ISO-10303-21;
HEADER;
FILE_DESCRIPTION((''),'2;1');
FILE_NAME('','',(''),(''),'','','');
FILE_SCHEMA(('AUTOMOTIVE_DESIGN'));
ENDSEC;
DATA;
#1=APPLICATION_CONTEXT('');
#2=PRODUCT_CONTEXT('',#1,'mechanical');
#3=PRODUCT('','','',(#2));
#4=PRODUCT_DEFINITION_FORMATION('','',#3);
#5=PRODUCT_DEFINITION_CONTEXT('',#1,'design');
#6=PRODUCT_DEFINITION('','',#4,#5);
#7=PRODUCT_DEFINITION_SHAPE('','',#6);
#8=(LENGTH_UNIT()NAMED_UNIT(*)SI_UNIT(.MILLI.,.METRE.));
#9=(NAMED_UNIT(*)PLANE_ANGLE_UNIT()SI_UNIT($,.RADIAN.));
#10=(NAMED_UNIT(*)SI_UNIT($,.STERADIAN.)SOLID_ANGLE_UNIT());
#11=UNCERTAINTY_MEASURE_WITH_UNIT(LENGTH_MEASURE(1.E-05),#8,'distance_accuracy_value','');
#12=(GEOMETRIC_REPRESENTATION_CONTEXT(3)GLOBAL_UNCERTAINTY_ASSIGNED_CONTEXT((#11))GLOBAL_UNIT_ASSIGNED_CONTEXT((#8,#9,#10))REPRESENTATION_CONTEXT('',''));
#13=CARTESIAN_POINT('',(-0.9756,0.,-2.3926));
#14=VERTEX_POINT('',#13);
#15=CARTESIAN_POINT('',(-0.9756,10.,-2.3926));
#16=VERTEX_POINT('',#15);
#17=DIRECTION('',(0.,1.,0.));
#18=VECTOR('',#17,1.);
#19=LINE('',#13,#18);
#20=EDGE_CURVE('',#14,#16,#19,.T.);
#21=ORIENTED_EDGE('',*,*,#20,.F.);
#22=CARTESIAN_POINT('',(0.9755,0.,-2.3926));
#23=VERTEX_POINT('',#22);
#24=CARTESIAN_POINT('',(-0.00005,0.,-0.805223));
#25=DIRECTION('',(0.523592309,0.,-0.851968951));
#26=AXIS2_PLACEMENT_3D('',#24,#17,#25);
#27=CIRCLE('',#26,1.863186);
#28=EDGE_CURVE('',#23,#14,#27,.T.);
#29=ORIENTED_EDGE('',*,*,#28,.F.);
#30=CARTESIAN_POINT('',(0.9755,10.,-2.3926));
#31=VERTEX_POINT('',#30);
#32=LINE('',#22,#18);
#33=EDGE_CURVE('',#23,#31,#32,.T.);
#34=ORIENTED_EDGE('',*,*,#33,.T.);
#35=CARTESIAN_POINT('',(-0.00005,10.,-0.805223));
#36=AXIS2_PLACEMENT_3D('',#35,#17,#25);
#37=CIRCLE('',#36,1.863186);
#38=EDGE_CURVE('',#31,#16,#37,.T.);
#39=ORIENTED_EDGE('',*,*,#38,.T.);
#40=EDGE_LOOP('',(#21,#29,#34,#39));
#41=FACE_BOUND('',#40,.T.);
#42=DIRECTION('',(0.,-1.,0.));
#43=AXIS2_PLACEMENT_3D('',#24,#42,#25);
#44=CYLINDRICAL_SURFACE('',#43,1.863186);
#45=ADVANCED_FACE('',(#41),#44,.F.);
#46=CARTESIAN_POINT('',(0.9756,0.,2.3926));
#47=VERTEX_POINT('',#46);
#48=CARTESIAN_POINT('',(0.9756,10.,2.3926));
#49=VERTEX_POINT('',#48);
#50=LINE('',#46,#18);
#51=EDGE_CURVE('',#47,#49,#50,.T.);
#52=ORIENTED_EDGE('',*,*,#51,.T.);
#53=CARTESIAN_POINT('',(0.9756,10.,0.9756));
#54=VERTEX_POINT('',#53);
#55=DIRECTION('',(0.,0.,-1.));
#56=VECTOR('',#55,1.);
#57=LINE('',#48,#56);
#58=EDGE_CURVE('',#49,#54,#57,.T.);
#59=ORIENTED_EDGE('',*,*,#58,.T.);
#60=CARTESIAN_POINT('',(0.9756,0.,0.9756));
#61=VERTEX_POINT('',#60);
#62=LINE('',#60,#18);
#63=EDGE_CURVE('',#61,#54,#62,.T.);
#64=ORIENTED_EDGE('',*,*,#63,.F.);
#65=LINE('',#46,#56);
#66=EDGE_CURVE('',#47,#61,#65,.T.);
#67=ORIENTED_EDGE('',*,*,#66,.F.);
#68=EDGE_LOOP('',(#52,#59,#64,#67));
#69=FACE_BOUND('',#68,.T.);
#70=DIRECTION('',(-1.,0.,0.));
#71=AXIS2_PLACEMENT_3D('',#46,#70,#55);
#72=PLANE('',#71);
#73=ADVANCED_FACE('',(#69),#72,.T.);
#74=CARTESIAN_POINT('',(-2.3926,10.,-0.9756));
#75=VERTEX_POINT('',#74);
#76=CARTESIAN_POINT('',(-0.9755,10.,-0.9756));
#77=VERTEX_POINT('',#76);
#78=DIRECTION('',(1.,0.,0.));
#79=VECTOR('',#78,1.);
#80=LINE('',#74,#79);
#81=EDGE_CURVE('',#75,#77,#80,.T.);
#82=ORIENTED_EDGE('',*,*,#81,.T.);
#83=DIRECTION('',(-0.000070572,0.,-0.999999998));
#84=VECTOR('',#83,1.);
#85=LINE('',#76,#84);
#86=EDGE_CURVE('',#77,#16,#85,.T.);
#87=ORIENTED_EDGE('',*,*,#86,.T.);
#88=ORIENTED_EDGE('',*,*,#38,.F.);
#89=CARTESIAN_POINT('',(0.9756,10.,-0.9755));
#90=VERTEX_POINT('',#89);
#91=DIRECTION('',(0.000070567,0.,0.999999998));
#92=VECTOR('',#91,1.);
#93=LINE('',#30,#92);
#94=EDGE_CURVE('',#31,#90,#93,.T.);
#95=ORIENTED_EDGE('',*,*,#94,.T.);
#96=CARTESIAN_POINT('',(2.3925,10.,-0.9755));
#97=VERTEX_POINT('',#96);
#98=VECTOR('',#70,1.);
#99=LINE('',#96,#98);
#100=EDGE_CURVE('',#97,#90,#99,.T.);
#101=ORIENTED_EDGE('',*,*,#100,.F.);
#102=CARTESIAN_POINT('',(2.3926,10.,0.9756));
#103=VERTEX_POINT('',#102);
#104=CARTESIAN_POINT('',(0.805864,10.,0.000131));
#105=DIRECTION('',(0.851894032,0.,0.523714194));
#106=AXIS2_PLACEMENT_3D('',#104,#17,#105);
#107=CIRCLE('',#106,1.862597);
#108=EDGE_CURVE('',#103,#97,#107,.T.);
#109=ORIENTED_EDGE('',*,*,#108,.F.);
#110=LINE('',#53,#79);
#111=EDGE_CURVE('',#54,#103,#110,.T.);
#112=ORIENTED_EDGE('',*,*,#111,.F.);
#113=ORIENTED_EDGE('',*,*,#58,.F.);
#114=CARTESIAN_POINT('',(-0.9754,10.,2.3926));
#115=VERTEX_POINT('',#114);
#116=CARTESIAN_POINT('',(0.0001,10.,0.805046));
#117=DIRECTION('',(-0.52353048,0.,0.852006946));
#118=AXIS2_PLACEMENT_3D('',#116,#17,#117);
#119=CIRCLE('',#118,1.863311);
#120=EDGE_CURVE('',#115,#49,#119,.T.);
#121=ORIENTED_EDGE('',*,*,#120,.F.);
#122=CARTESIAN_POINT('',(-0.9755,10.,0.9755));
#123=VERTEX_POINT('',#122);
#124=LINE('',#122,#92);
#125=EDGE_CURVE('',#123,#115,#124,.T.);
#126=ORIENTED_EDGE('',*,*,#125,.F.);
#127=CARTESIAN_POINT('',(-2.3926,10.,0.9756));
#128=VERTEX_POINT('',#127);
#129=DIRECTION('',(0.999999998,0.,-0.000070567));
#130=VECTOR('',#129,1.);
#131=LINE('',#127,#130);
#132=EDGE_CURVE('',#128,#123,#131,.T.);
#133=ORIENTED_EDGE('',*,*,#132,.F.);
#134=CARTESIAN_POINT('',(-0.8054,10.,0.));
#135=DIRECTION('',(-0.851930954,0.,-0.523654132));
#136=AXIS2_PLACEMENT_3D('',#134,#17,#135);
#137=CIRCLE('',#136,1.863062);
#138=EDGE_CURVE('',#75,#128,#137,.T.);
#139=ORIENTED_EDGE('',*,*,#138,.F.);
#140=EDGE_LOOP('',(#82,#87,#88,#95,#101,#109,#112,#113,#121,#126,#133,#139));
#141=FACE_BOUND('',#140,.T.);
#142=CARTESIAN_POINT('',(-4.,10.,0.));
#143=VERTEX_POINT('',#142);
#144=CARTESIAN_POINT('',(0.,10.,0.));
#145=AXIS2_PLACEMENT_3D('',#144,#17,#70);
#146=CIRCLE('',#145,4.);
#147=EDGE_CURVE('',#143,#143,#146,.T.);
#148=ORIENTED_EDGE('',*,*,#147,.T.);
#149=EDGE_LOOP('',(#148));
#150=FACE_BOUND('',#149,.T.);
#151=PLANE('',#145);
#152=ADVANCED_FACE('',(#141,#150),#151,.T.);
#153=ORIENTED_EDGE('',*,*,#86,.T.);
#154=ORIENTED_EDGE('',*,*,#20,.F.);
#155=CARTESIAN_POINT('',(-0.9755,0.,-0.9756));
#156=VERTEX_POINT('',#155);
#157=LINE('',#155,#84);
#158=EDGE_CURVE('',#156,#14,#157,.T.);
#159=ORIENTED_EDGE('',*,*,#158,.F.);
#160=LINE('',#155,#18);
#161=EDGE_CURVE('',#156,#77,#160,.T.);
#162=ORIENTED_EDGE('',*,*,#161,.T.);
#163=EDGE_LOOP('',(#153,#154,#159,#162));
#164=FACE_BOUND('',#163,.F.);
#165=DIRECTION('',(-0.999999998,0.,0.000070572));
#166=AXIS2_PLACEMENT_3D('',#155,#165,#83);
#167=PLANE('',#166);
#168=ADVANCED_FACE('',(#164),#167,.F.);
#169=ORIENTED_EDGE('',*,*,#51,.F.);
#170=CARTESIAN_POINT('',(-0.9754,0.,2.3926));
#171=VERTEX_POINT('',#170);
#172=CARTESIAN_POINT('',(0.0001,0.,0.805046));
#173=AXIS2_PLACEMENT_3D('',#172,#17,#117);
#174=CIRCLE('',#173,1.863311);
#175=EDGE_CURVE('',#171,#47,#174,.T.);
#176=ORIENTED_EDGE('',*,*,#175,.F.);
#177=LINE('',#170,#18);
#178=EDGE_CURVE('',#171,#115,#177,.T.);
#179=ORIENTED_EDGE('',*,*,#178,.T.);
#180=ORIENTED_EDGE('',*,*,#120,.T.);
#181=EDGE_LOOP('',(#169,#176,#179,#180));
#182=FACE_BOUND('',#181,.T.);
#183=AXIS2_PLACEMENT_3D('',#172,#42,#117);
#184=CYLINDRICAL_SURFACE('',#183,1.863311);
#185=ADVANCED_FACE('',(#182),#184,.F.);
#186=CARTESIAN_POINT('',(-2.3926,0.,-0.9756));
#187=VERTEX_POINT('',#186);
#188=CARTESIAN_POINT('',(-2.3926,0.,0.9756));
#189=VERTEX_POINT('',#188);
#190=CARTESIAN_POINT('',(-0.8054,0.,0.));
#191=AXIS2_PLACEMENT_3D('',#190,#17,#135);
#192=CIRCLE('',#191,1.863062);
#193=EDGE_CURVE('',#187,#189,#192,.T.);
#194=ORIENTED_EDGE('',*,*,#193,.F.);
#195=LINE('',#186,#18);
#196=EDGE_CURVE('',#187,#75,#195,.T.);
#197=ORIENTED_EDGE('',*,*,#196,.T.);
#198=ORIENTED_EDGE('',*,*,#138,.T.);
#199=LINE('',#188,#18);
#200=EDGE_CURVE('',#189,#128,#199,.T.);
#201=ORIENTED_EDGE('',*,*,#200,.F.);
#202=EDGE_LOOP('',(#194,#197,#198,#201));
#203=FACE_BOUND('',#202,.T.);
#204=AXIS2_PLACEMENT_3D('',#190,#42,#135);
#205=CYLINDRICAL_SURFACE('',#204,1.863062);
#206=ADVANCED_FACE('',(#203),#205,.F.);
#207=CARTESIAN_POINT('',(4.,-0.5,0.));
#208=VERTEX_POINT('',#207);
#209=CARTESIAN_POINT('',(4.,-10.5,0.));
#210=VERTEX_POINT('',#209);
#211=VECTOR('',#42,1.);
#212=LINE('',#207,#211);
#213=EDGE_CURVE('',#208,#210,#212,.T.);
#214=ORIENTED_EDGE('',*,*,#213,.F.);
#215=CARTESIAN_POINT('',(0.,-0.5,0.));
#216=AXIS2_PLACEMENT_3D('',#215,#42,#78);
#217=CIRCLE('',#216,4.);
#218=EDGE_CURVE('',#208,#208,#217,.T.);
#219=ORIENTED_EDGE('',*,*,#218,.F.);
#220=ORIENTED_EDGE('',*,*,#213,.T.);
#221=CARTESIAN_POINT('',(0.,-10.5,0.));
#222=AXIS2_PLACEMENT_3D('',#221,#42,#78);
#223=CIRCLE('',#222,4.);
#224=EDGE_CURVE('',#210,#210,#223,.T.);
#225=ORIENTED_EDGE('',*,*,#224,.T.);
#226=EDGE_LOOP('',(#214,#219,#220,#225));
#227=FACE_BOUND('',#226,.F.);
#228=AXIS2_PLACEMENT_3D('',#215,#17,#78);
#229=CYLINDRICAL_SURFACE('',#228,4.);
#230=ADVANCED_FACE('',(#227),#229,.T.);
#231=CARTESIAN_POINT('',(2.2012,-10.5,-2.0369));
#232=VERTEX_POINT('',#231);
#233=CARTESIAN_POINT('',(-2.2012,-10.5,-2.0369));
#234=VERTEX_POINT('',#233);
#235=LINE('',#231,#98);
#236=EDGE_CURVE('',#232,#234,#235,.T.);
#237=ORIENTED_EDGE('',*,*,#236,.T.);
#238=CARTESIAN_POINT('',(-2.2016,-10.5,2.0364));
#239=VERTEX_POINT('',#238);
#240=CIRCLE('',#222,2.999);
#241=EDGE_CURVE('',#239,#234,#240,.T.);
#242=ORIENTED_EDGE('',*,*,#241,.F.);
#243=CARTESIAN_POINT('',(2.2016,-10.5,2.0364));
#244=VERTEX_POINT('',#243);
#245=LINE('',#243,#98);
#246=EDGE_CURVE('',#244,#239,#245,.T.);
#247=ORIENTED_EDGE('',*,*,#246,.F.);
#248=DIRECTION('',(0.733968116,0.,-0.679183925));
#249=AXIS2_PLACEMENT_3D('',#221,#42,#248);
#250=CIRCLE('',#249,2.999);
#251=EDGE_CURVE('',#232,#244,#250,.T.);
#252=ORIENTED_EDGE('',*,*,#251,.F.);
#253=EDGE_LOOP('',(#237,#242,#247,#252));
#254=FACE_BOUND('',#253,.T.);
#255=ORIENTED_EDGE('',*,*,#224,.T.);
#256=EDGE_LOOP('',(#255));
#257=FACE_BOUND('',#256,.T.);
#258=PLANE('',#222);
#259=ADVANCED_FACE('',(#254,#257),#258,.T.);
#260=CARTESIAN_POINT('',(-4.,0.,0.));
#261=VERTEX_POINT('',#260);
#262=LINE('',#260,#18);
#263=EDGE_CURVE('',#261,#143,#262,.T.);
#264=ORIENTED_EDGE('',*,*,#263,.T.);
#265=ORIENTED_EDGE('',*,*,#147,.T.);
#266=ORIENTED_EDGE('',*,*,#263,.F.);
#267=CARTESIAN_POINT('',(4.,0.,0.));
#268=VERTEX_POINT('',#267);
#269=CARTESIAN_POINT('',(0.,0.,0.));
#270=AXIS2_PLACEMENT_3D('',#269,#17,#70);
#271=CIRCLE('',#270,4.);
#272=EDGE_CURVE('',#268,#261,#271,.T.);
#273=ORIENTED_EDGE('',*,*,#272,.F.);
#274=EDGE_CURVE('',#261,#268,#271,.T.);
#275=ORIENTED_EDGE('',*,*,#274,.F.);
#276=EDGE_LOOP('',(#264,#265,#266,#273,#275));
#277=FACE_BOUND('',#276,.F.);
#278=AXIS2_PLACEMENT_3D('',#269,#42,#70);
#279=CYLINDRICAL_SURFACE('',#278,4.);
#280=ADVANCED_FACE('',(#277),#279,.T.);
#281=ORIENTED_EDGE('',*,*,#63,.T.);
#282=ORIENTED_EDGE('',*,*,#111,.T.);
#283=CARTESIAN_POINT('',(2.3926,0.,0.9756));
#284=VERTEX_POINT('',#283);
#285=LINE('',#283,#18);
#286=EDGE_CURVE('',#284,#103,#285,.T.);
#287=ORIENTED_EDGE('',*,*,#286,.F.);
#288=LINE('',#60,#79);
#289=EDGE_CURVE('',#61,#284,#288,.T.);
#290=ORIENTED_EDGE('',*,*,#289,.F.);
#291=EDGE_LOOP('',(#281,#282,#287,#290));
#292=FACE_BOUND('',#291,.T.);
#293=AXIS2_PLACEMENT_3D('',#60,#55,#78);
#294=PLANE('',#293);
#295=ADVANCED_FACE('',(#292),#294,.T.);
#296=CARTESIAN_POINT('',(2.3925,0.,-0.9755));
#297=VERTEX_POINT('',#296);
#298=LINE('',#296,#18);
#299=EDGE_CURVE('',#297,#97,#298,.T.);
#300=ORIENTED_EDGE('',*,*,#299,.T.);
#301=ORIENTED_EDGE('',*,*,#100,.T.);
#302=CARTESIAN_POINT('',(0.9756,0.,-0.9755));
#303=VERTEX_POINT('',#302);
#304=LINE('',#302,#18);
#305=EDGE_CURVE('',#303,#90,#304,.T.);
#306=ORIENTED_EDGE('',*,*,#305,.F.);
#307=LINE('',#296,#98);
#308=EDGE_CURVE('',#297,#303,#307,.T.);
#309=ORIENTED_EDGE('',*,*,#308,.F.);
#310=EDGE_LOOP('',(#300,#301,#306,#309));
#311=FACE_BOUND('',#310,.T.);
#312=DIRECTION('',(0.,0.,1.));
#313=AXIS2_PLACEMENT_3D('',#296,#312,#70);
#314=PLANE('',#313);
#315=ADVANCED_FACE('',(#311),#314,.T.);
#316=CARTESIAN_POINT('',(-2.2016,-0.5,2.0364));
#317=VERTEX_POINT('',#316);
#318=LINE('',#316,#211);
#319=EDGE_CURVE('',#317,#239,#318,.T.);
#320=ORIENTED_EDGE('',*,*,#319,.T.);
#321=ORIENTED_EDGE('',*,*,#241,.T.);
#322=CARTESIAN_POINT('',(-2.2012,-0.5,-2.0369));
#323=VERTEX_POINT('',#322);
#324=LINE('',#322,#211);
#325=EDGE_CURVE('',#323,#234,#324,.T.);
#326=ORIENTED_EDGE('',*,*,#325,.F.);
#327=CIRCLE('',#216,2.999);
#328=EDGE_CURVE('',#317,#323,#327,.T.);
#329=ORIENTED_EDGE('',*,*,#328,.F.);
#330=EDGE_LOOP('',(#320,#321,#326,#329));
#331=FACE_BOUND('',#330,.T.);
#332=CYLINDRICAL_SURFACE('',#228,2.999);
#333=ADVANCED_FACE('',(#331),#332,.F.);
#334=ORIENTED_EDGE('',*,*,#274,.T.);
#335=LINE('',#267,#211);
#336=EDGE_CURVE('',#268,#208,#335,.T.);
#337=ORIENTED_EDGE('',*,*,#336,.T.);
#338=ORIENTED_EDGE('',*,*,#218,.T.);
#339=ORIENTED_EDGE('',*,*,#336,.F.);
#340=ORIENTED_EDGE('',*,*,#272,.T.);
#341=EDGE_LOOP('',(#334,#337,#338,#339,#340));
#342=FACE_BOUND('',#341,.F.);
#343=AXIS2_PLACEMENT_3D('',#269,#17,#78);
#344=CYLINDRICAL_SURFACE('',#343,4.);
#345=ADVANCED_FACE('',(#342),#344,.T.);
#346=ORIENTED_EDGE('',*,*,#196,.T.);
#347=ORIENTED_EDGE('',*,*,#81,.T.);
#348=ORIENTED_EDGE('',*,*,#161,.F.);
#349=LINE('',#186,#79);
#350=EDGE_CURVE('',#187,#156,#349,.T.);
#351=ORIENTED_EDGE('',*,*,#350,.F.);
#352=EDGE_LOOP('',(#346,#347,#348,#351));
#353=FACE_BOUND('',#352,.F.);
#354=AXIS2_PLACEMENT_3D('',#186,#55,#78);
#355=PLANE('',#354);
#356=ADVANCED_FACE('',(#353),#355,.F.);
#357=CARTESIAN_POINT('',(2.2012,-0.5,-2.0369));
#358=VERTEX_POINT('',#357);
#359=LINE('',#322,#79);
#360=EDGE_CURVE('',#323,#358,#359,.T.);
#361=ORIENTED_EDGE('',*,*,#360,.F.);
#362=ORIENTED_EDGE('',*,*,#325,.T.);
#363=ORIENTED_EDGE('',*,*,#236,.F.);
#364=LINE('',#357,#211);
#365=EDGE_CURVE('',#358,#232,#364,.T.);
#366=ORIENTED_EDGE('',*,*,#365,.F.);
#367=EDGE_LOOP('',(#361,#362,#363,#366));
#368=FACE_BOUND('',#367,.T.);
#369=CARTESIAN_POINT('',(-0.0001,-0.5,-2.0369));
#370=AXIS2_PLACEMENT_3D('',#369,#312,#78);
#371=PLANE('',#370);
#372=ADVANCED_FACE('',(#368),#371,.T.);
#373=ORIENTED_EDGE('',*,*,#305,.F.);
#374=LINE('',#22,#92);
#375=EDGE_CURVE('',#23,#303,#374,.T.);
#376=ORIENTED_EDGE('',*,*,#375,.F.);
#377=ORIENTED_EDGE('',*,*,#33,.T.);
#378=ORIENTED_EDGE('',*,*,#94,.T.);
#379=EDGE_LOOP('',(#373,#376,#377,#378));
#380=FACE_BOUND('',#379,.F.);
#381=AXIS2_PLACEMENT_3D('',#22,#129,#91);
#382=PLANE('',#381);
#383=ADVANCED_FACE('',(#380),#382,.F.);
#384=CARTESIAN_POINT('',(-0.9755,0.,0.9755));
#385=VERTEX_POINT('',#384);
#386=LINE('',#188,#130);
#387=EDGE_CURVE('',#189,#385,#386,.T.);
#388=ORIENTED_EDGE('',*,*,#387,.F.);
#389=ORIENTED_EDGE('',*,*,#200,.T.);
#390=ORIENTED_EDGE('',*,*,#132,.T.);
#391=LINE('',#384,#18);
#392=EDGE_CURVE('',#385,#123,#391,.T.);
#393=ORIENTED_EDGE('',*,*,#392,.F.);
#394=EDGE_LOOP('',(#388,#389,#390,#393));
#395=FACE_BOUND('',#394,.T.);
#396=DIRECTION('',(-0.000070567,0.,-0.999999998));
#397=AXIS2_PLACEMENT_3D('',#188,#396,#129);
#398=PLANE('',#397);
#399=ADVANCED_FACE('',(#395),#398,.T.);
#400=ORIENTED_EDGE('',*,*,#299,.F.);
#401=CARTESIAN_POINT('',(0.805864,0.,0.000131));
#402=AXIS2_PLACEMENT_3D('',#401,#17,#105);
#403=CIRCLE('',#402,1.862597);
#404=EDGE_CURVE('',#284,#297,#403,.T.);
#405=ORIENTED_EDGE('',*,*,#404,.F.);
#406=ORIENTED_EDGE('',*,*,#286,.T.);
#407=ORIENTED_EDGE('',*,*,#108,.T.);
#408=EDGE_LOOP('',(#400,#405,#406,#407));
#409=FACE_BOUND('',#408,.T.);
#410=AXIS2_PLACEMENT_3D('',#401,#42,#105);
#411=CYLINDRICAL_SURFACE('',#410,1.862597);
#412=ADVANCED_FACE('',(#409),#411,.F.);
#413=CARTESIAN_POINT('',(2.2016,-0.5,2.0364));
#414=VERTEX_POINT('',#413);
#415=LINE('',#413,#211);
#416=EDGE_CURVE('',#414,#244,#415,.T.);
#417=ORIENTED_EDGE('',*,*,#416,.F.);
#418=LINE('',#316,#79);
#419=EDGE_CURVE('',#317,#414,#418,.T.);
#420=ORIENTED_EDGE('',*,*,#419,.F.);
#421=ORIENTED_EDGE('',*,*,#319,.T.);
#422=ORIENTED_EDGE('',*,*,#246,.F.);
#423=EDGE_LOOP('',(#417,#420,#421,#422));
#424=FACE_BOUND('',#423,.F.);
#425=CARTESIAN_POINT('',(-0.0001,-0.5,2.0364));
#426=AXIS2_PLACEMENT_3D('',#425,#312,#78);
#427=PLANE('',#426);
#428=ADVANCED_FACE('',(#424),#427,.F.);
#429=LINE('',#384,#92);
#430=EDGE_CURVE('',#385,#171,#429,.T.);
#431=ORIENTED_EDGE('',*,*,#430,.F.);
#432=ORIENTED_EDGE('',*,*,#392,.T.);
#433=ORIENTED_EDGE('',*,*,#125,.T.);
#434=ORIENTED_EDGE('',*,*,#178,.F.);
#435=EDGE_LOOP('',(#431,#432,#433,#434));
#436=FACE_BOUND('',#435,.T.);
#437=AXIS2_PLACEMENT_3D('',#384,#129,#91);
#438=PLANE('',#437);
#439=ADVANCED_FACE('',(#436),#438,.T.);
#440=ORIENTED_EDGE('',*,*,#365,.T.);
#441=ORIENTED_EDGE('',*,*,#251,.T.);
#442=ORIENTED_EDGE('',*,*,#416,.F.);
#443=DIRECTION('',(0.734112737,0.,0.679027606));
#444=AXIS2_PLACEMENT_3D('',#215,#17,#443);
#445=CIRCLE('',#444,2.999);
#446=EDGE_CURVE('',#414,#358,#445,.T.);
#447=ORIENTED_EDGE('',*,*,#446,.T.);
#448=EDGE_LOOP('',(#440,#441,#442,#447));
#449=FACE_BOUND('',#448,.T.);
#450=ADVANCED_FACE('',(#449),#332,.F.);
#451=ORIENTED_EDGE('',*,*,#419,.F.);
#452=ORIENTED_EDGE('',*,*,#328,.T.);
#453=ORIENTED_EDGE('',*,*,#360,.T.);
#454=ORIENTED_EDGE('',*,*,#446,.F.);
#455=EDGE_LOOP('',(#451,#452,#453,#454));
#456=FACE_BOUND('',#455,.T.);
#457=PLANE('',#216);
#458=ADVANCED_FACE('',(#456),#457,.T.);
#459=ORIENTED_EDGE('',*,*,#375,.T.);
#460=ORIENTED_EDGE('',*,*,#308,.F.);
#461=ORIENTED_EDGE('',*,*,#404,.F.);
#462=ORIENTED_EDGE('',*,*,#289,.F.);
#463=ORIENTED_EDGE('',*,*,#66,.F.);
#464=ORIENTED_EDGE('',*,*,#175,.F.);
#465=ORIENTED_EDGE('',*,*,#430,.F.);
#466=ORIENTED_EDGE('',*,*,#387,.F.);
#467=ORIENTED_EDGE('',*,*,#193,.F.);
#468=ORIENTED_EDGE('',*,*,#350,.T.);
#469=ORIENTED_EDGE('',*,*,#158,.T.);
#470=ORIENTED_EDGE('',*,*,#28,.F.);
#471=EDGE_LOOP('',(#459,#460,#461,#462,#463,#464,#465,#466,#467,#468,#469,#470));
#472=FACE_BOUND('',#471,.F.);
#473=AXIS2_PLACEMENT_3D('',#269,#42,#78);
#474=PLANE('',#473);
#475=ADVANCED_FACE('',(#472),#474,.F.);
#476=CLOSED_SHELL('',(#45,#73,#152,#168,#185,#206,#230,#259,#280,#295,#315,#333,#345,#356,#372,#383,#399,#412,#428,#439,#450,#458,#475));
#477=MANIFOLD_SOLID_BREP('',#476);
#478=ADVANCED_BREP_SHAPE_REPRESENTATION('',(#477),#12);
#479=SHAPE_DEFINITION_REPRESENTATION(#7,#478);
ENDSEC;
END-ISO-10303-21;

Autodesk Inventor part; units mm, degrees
ref_plane "YZ Plane" through (0, 0, 0) normal (1, 0, 0) x (0, 1, 0)
ref_plane "XZ Plane" through (0, 0, 0) normal (0, 1, 0) x (-1, 0, 0)
ref_plane "XY Plane" through (0, 0, 0) normal (0, 0, 1) x (1, 0, 0)
sketch "Sketch3" plane through (0, 0, 0) normal (0, 1, 0) x (-1, 0, 0)
  line L0 (2.3926, -0.9756) -> (2.3926, 0.9756)
  line L1 (2.3926, 0.9756) -> (0.9755, 0.9755)
  line L2 (0.9755, 0.9755) -> (0.9754, 2.3926)
  line L3 (0.9754, 2.3926) -> (-0.9756, 2.3926)
  arc A0 (0.9754, 2.3926) -> (-0.9756, 2.3926) centre (0, 0.8054) ccw
  arc A1 (2.3926, -0.9756) -> (2.3926, 0.9756) centre (0.8054, 0) ccw
  line L4 (2.3926, -0.9756) -> (0.9755, -0.9756)
  line L5 (0.9755, -0.9756) -> (0.9756, -2.3926)
  line L6 (0.9756, -2.3926) -> (-0.9755, -2.3926)
  arc A2 (-0.9755, -2.3926) -> (0.9756, -2.3926) centre (0, -0.8054) ccw
  line L7 (-0.9756, 2.3926) -> (-0.9756, 0.9756)
  line L8 (-0.9755, -2.3926) -> (-0.9756, -0.9755)
  line L9 (-0.9756, 0.9756) -> (-2.3926, 0.9756)
  line L10 (-2.3926, 0.9756) -> (-2.3925, -0.9755)
  line L11 (-2.3925, -0.9755) -> (-0.9756, -0.9755)
  arc A3 (-2.3926, 0.9756) -> (-2.3925, -0.9755) centre (-0.8054, 0) ccw
  circle A4 centre (0, 0) radius 4
  dimension "d23" = 1.951
  dimension "d24" = 1.9511
  dimension "d25" = 0.9756
  dimension "d28" = 1.4171
  dimension "d29" = 1.417
  dimension "d30" = 2.5838
  dimension "d31" = 1.863
  dimension "d32" = 1.863
  dimension "d33" = 1.417
  dimension "d34" = 1.9511
  dimension "d35" = 1.863
  dimension "d36" = 1.417
  dimension "d37" = 2.5838
  dimension "d38" = 1.9511
  dimension "d39" = 1.863
  dimension "d40" = 2.3925
  dimension "d41" = 2.3925
  dimension "d42" = 1.417
  dimension "d43" = 1.417
  dimension "d44" = 8
extrude "Extrusion1" add sketch "Sketch3" along normal blind 10
sketch "Sketch4" plane through (0, 0, 0) normal (0, -1, 0) x (1, 0, 0)
  circle A0 centre (0, 0) radius 4
extrude "Extrusion2" add sketch "Sketch4" along normal blind 0.5
sketch "Sketch5" plane through (0, -0.5, 0) normal (0, -1, 0) x (1, 0, 0)
  circle A0 centre (0, 0) radius 2.999
  line L0 (-0.0001, 2.0364) -> (-2.2016, 2.0364)
  line L1 (-0.9754, 2.3926) -> (-0.9755, 0.9755) projected
  line L2 (-0.0001, 2.0364) -> (2.2016, 2.0364)
  line L3 (-0.0001, -2.0369) -> (-2.2012, -2.0369)
  line L4 (-0.9755, -0.9756) -> (-0.9756, -2.3926) projected
  line L5 (-0.0001, -2.0369) -> (2.2012, -2.0369)
  circle A1 centre (0, 0) radius 4
  dimension "d49" = 5.998
  dimension "d50" = 2.0364
  dimension "d51" = 2.0369
  dimension "d52" = 2.2015
  dimension "d53" = 2.2012
  dimension "d56" = 8
extrude "Extrusion3" add sketch "Sketch5" along normal blind 10 contours L2 L0 A0 | A0 L3 L5 | A1
properties part number "motor_adapt"
